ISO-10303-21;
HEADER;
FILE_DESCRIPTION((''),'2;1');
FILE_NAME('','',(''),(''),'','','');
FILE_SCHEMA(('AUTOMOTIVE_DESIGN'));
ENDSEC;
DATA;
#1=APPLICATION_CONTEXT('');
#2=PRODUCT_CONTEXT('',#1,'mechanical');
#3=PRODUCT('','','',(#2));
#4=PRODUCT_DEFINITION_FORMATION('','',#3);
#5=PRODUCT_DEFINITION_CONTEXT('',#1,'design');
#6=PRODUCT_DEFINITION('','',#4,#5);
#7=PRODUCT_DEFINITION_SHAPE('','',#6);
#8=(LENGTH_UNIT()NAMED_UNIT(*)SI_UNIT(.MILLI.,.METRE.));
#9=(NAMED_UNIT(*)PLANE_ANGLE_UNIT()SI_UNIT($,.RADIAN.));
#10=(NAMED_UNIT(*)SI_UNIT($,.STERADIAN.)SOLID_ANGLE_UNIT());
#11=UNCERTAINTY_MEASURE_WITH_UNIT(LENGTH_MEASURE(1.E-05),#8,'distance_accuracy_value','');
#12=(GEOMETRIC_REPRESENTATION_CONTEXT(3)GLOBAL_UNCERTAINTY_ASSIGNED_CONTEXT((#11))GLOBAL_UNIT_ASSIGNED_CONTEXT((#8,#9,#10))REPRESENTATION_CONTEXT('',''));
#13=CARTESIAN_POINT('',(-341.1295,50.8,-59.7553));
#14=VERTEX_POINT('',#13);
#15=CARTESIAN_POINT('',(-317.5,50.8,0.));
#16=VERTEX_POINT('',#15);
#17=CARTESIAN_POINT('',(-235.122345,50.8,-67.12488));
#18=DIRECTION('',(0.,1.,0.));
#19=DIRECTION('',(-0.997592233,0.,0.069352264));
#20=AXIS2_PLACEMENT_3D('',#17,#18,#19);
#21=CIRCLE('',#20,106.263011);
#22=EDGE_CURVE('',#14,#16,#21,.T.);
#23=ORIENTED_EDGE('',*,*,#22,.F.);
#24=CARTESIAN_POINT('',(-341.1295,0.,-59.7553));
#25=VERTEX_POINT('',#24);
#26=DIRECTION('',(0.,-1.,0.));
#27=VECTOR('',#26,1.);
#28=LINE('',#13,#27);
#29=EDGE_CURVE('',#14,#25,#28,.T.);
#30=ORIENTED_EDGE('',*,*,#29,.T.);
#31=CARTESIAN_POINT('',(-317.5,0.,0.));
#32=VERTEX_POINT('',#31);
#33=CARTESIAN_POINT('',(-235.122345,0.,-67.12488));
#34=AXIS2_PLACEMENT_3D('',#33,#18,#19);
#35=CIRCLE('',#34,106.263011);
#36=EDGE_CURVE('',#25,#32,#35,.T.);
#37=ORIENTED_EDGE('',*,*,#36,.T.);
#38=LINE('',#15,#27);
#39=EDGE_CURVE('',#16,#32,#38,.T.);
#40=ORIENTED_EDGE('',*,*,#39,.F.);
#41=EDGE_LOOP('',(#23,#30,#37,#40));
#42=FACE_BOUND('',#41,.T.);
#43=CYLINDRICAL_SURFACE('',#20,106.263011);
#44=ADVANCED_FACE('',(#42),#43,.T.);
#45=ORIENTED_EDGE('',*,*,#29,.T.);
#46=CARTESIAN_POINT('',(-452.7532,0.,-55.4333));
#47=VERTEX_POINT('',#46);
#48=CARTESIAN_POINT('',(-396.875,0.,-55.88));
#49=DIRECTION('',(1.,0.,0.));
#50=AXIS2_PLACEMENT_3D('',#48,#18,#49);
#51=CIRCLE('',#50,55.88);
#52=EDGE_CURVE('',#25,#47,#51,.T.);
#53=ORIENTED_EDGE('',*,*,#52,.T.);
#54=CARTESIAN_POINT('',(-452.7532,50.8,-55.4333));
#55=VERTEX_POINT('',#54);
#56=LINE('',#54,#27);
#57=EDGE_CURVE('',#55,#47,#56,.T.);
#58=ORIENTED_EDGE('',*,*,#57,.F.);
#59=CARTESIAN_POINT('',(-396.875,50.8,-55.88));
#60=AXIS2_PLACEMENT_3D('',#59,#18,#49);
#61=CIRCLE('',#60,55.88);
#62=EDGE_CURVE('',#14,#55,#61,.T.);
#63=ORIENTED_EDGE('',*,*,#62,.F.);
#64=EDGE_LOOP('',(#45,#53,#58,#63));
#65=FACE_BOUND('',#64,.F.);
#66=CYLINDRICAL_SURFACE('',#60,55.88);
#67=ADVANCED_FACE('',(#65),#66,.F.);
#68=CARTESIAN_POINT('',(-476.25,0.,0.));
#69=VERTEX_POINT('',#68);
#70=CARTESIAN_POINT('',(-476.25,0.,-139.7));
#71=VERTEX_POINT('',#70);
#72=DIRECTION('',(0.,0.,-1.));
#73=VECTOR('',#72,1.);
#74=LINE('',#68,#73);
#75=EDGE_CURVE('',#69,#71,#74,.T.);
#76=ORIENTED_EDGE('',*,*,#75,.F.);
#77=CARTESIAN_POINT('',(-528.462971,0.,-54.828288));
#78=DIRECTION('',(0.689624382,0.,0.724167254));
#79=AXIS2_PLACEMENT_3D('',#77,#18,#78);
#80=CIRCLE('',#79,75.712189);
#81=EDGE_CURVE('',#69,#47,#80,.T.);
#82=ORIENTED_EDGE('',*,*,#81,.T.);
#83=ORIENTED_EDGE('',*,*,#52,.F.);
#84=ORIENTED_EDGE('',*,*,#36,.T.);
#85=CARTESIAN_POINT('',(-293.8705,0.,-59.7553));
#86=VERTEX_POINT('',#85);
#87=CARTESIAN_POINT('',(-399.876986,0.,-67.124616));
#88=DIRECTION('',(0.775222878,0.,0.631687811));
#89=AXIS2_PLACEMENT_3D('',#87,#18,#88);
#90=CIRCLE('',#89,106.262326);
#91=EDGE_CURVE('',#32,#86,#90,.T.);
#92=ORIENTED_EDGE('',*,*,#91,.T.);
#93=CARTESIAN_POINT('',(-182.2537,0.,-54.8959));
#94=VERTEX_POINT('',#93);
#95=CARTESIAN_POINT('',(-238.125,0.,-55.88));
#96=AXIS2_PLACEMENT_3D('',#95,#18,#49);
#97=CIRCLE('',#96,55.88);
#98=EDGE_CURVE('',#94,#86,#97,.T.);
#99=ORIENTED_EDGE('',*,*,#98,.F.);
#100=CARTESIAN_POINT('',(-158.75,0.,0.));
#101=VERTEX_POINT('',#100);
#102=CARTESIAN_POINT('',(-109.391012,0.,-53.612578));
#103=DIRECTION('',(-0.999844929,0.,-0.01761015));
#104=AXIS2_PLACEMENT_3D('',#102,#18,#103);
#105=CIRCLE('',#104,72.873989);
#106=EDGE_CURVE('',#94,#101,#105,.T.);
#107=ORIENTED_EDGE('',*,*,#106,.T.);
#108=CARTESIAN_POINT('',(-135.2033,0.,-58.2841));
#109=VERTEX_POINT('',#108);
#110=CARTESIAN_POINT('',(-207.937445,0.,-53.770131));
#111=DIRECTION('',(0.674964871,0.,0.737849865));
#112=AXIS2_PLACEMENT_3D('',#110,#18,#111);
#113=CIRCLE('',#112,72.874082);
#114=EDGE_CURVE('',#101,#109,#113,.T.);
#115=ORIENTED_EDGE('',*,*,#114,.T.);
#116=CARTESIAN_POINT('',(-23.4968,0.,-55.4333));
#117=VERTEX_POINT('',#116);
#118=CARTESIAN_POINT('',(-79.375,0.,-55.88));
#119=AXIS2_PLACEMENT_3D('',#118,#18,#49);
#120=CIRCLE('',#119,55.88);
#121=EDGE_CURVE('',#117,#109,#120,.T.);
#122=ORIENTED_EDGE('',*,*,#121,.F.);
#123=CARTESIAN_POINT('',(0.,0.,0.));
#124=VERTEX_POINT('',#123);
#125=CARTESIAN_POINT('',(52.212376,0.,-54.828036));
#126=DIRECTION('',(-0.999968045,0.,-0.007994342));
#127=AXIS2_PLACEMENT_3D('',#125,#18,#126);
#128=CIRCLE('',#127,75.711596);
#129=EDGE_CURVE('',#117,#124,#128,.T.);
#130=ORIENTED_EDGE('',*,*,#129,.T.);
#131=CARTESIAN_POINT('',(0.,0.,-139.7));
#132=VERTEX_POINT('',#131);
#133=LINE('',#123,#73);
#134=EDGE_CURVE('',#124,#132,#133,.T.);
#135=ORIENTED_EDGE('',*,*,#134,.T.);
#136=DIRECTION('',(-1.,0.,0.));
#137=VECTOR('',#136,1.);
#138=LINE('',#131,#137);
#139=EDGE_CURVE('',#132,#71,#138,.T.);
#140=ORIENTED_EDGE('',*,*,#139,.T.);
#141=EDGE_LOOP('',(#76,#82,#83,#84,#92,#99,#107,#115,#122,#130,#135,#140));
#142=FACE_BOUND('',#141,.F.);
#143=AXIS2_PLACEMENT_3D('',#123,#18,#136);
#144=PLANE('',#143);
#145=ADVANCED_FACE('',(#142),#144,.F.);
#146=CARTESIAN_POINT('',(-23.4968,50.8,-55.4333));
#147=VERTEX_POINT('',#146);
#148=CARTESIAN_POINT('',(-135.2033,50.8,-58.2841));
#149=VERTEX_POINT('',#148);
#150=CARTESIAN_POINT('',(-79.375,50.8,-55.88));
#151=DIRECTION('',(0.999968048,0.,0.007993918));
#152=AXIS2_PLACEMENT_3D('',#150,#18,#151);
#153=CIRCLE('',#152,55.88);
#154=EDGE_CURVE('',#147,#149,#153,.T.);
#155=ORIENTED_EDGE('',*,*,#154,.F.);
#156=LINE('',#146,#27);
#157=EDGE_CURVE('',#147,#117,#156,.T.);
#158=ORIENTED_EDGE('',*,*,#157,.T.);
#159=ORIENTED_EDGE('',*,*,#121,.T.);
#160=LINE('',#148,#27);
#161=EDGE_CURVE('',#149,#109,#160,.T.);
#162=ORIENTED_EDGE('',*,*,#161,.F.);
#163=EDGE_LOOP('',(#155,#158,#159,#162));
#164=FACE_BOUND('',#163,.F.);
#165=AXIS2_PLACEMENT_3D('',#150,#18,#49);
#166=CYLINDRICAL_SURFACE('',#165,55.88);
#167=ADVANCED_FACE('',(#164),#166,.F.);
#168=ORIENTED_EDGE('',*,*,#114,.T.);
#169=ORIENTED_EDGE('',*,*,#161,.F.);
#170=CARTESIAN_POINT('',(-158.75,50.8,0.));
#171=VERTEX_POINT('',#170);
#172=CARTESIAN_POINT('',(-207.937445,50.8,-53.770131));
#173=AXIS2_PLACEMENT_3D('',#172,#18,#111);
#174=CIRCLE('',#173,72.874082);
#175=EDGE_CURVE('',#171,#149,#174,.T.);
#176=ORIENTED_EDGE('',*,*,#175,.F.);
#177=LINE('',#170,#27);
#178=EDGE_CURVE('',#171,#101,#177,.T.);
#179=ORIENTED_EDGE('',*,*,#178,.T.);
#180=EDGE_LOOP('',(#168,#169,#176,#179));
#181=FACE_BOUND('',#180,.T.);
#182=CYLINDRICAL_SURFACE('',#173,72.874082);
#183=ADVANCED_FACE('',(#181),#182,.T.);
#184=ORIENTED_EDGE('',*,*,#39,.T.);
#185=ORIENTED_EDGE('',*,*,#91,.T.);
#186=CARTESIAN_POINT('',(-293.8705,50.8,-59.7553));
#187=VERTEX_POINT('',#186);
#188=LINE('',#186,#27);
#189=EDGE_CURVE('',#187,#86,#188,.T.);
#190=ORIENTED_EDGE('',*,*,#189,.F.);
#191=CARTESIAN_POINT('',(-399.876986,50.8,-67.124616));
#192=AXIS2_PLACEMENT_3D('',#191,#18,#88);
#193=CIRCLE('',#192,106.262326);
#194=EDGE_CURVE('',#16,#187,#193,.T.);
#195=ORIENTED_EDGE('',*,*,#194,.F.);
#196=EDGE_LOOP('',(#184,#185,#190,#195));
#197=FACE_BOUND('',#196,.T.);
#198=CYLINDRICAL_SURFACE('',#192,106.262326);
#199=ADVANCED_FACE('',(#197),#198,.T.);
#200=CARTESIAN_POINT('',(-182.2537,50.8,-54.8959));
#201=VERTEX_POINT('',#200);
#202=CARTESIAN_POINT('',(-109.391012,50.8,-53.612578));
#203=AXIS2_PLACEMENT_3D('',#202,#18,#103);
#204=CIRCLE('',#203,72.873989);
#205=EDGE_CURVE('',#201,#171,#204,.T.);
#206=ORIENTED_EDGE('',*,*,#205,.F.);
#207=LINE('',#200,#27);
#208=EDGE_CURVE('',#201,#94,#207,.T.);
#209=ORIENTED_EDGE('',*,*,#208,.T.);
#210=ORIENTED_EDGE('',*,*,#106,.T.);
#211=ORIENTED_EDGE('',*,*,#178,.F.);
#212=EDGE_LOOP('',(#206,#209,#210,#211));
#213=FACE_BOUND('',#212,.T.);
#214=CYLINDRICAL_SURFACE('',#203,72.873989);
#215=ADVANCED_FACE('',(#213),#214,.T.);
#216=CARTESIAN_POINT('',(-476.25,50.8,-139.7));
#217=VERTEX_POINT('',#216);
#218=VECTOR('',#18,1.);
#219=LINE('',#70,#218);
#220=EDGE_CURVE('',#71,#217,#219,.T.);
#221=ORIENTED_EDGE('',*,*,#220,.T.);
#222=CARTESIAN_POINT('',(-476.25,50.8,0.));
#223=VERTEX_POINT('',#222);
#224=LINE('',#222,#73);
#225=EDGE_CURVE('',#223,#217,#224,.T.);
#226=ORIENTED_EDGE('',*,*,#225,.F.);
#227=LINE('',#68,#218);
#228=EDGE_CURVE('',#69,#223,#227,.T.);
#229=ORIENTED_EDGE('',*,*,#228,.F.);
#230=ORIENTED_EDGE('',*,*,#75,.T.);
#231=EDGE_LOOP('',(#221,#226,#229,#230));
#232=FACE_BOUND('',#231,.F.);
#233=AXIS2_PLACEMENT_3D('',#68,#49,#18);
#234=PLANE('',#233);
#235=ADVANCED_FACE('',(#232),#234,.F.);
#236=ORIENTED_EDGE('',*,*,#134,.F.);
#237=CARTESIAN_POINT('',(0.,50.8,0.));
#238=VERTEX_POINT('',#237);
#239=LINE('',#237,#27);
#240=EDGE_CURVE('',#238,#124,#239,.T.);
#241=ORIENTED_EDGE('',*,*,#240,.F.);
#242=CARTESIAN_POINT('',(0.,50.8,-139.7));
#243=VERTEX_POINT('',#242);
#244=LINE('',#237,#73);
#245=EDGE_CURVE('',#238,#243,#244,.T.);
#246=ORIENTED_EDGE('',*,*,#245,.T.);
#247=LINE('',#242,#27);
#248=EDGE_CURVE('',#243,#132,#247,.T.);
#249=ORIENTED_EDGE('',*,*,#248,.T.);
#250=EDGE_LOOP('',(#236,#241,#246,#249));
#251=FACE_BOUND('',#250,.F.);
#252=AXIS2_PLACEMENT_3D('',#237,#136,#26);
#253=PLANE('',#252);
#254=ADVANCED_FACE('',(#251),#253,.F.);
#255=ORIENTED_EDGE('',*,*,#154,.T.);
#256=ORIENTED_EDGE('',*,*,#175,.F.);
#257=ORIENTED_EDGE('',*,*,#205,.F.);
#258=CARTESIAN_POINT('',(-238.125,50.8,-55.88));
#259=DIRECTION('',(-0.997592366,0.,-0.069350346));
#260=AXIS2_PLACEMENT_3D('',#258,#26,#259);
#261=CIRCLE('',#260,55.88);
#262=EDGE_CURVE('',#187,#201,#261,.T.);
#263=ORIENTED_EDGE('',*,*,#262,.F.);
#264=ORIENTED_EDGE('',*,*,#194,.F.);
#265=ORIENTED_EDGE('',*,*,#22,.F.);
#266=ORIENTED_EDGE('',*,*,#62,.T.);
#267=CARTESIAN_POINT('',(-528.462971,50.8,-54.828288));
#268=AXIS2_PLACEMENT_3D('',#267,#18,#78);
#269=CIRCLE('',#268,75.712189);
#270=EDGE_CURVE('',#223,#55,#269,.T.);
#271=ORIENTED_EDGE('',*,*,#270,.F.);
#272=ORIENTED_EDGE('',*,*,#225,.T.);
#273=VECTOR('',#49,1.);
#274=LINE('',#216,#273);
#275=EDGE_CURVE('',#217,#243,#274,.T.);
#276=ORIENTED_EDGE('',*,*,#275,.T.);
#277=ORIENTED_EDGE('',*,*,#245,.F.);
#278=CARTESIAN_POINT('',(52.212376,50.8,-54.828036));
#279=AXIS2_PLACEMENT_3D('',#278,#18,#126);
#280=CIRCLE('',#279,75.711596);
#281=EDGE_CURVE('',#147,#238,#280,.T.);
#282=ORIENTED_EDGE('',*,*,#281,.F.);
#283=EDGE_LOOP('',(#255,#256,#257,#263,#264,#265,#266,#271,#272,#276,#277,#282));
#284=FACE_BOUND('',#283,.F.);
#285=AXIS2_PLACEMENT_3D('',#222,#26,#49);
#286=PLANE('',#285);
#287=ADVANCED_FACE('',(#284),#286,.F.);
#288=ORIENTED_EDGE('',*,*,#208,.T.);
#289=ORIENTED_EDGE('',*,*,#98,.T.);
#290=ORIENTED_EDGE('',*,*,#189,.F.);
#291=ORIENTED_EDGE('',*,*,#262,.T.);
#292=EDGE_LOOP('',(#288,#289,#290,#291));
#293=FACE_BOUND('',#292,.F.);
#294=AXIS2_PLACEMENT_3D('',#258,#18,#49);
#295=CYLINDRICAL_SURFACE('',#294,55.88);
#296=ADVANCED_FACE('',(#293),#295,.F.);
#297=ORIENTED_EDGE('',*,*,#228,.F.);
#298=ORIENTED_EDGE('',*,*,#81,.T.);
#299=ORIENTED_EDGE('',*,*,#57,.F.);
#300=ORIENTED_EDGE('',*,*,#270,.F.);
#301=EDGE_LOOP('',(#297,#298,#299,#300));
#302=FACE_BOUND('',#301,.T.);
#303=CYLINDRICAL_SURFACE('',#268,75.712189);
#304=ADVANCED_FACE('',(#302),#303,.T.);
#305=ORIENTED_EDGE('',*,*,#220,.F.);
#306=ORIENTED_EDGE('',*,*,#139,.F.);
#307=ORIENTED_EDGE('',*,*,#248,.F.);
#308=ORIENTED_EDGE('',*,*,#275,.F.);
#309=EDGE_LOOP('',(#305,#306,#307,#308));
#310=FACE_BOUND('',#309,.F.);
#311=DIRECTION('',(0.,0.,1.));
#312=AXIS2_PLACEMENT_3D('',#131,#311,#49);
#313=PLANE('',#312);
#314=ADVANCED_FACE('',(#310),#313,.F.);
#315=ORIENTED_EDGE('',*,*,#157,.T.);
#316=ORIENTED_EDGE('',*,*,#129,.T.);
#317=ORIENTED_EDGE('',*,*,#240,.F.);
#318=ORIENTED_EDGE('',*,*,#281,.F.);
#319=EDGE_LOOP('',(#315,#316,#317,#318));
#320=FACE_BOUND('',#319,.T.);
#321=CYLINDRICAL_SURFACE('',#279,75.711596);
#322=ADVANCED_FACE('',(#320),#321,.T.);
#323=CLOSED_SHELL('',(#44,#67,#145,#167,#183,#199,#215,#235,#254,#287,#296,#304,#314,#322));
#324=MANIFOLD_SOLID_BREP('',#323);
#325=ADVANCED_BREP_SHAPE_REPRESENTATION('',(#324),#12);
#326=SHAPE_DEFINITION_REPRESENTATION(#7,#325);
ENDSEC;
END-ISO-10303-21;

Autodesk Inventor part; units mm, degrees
ref_plane "YZ Plane" through (0, 0, 0) normal (1, 0, 0) x (0, 1, 0)
ref_plane "XZ Plane" through (0, 0, 0) normal (0, 1, 0) x (-1, 0, 0)
ref_plane "XY Plane" through (0, 0, 0) normal (0, 0, 1) x (1, 0, 0)
sketch "Sketch1" plane through (0, 0, 0) normal (0, 0, 1) x (1, 0, 0)
  line L0 (0, 0) -> (-476.25, 0)
  line L1 (-476.25, 0) -> (-476.25, 50.8)
  line L2 (-476.25, 50.8) -> (0, 50.8)
  line L3 (0, 50.8) -> (0, 0)
  dimension "d5" = 50.8
  dimension "d6" = 476.25
extrude "Extrusion1" add sketch "Sketch1" against normal blind 139.7
sketch "Sketch2" plane through (-476.25, 50.8, 0) normal (0, 1, 0) x (1, 0, 0)
  line L0 (0, 0) -> (476.25, 0) projected
  circle A0 centre (396.875, 55.88) radius 55.88
  arc A1 (452.7532, 55.4333) -> (476.25, 0) centre (528.4627, 54.8281) ccw
  line L1 (476.25, 139.7) -> (0, 139.7) projected
  line L2 (476.25, 0) -> (476.25, 139.7) projected
  line L3 (158.75, 139.7) -> (158.75, 0)
  line L4 (317.5, 139.7) -> (317.5, 0)
  circle A2 centre (238.125, 55.88) radius 55.88
  circle A3 centre (79.375, 55.88) radius 55.88
  arc A4 (317.5, 0) -> (341.0467, 58.2841) centre (268.3126, 53.7701) ccw
  arc A5 (135.1205, 59.7553) -> (158.75, 0) centre (241.1273, 67.1248) ccw
  arc A6 (0, 0) -> (23.4968, 55.4333) centre (-52.2127, 54.8281) ccw
  arc A7 (158.75, 0) -> (182.3795, 59.7553) centre (76.3727, 67.1248) ccw
  arc A8 (293.9963, 54.8959) -> (317.5, 0) centre (366.8591, 53.6126) ccw
  dimension "d9" = 111.76
  dimension "d10" = 55.88
  dimension "d11" = 79.375
  dimension "d14" = 158.75
  dimension "d15" = 158.75
  dimension "d16" = 79.375
  dimension "d17" = 79.375
extrude "Extrusion3" cut sketch "Sketch2" against normal blind 139.7 contours A6 A3 L0 | A7 A2 L0 | A3 A5 L0 | A3 | A2 A8 L0 | A2 | A4 A0 L0 | A0 A1 L0 | A0 A4 picked at (415.2449, 59.3205)
properties part number "swirvy for illustrator"
